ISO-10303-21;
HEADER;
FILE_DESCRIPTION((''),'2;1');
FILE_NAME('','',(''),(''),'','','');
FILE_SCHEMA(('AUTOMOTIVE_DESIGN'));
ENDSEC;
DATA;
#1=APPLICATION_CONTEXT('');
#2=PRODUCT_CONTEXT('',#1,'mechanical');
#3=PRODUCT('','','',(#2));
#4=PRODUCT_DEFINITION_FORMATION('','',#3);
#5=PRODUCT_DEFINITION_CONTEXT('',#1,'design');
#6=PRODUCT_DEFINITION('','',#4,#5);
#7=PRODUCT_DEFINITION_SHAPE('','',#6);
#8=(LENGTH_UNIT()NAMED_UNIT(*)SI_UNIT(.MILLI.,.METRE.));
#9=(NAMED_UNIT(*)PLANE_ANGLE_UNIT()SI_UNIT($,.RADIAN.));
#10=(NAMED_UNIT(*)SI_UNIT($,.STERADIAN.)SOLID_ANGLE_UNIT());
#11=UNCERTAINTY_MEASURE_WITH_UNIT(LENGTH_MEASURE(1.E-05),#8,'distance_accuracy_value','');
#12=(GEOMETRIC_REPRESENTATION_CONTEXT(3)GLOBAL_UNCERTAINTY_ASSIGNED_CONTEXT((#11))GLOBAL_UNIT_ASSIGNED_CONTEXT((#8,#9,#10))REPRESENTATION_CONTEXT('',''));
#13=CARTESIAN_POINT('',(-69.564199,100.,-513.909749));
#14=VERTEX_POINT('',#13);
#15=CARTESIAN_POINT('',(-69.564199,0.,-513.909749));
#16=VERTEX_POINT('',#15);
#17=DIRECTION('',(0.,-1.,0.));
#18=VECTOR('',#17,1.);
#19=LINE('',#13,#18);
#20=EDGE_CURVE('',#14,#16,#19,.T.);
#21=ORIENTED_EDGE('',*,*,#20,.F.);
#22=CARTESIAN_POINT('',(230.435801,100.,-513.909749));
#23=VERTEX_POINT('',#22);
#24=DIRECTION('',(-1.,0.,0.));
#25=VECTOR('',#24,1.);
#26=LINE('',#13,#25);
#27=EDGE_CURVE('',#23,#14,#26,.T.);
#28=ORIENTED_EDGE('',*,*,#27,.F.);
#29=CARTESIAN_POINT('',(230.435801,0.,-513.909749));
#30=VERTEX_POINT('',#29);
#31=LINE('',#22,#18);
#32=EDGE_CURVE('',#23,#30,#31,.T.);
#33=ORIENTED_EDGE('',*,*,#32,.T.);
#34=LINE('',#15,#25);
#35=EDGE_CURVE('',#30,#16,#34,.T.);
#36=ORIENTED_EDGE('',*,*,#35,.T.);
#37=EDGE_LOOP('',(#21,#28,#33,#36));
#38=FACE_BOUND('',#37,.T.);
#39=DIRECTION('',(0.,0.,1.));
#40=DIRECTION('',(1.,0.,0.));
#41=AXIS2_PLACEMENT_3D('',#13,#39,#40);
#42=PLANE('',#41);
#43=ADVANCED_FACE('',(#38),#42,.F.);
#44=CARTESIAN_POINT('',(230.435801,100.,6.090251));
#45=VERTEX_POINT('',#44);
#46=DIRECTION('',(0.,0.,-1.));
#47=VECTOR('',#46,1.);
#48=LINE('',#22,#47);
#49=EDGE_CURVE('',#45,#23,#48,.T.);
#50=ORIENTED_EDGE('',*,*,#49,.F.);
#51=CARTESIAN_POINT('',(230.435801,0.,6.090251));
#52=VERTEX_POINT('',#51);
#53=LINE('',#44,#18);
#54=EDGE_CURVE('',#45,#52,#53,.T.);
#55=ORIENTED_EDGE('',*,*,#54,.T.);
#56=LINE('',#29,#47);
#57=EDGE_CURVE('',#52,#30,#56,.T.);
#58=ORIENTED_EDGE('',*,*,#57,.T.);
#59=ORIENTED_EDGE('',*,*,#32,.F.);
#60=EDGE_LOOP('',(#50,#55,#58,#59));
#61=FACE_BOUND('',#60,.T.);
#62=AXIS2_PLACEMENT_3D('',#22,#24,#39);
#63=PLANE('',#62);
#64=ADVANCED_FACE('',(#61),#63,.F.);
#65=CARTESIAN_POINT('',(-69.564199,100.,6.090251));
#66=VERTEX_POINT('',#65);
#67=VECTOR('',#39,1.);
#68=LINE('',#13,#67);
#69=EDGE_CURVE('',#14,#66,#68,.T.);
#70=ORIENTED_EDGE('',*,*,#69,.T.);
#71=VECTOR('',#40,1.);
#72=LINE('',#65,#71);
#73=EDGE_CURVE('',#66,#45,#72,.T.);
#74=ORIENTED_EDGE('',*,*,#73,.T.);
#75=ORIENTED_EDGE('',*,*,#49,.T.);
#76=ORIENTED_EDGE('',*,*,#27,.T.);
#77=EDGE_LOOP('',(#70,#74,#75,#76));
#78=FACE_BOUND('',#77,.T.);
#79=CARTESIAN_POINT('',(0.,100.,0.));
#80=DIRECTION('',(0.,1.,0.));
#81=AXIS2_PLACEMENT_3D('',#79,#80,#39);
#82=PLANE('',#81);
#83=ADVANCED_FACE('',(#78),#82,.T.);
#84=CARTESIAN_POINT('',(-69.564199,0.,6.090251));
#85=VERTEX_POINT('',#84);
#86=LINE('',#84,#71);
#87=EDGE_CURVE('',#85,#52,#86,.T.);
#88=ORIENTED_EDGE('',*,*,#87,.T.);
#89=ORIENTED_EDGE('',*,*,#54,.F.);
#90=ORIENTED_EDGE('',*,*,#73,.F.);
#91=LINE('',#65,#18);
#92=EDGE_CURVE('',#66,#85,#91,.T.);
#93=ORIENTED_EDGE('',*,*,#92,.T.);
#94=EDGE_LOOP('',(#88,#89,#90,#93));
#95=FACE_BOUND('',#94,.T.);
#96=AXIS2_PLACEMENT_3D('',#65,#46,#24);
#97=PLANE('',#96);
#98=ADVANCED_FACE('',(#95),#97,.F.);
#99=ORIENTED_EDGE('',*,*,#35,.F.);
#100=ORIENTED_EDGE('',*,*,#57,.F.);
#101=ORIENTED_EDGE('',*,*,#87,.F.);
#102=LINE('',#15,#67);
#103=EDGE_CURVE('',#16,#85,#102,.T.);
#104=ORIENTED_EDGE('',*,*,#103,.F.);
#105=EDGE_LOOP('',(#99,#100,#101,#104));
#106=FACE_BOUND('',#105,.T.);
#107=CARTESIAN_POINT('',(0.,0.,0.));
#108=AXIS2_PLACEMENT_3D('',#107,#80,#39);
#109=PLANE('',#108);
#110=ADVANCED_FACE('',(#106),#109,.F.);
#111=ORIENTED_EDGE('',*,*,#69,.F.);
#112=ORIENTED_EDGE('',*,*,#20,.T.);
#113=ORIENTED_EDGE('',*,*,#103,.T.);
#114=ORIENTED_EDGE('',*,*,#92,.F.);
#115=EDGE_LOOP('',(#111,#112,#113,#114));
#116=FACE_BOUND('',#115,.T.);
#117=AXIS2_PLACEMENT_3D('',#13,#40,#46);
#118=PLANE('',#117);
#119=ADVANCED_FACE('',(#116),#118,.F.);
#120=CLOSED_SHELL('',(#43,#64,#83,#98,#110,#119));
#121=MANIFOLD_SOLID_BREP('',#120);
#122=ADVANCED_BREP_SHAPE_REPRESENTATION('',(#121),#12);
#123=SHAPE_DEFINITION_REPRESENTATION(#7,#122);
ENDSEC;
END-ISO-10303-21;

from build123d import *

# Parameters (mm, degrees)
SKETCH_1_W      = 300
SKETCH_1_H      = 520
EXTRUDE_1_DEPTH = 100


with BuildPart() as part:
    # Эскиз1 → Бобышка-Вытянуть1 (new body)
    with BuildSketch(Plane(origin=(0, 0, 0), x_dir=(1, 0, 0), z_dir=(0, 1, 0))):
        with Locations((80.435800905, 253.909749107)):
            Rectangle(SKETCH_1_W, SKETCH_1_H)
    extrude(amount=EXTRUDE_1_DEPTH)


solid = part.part
